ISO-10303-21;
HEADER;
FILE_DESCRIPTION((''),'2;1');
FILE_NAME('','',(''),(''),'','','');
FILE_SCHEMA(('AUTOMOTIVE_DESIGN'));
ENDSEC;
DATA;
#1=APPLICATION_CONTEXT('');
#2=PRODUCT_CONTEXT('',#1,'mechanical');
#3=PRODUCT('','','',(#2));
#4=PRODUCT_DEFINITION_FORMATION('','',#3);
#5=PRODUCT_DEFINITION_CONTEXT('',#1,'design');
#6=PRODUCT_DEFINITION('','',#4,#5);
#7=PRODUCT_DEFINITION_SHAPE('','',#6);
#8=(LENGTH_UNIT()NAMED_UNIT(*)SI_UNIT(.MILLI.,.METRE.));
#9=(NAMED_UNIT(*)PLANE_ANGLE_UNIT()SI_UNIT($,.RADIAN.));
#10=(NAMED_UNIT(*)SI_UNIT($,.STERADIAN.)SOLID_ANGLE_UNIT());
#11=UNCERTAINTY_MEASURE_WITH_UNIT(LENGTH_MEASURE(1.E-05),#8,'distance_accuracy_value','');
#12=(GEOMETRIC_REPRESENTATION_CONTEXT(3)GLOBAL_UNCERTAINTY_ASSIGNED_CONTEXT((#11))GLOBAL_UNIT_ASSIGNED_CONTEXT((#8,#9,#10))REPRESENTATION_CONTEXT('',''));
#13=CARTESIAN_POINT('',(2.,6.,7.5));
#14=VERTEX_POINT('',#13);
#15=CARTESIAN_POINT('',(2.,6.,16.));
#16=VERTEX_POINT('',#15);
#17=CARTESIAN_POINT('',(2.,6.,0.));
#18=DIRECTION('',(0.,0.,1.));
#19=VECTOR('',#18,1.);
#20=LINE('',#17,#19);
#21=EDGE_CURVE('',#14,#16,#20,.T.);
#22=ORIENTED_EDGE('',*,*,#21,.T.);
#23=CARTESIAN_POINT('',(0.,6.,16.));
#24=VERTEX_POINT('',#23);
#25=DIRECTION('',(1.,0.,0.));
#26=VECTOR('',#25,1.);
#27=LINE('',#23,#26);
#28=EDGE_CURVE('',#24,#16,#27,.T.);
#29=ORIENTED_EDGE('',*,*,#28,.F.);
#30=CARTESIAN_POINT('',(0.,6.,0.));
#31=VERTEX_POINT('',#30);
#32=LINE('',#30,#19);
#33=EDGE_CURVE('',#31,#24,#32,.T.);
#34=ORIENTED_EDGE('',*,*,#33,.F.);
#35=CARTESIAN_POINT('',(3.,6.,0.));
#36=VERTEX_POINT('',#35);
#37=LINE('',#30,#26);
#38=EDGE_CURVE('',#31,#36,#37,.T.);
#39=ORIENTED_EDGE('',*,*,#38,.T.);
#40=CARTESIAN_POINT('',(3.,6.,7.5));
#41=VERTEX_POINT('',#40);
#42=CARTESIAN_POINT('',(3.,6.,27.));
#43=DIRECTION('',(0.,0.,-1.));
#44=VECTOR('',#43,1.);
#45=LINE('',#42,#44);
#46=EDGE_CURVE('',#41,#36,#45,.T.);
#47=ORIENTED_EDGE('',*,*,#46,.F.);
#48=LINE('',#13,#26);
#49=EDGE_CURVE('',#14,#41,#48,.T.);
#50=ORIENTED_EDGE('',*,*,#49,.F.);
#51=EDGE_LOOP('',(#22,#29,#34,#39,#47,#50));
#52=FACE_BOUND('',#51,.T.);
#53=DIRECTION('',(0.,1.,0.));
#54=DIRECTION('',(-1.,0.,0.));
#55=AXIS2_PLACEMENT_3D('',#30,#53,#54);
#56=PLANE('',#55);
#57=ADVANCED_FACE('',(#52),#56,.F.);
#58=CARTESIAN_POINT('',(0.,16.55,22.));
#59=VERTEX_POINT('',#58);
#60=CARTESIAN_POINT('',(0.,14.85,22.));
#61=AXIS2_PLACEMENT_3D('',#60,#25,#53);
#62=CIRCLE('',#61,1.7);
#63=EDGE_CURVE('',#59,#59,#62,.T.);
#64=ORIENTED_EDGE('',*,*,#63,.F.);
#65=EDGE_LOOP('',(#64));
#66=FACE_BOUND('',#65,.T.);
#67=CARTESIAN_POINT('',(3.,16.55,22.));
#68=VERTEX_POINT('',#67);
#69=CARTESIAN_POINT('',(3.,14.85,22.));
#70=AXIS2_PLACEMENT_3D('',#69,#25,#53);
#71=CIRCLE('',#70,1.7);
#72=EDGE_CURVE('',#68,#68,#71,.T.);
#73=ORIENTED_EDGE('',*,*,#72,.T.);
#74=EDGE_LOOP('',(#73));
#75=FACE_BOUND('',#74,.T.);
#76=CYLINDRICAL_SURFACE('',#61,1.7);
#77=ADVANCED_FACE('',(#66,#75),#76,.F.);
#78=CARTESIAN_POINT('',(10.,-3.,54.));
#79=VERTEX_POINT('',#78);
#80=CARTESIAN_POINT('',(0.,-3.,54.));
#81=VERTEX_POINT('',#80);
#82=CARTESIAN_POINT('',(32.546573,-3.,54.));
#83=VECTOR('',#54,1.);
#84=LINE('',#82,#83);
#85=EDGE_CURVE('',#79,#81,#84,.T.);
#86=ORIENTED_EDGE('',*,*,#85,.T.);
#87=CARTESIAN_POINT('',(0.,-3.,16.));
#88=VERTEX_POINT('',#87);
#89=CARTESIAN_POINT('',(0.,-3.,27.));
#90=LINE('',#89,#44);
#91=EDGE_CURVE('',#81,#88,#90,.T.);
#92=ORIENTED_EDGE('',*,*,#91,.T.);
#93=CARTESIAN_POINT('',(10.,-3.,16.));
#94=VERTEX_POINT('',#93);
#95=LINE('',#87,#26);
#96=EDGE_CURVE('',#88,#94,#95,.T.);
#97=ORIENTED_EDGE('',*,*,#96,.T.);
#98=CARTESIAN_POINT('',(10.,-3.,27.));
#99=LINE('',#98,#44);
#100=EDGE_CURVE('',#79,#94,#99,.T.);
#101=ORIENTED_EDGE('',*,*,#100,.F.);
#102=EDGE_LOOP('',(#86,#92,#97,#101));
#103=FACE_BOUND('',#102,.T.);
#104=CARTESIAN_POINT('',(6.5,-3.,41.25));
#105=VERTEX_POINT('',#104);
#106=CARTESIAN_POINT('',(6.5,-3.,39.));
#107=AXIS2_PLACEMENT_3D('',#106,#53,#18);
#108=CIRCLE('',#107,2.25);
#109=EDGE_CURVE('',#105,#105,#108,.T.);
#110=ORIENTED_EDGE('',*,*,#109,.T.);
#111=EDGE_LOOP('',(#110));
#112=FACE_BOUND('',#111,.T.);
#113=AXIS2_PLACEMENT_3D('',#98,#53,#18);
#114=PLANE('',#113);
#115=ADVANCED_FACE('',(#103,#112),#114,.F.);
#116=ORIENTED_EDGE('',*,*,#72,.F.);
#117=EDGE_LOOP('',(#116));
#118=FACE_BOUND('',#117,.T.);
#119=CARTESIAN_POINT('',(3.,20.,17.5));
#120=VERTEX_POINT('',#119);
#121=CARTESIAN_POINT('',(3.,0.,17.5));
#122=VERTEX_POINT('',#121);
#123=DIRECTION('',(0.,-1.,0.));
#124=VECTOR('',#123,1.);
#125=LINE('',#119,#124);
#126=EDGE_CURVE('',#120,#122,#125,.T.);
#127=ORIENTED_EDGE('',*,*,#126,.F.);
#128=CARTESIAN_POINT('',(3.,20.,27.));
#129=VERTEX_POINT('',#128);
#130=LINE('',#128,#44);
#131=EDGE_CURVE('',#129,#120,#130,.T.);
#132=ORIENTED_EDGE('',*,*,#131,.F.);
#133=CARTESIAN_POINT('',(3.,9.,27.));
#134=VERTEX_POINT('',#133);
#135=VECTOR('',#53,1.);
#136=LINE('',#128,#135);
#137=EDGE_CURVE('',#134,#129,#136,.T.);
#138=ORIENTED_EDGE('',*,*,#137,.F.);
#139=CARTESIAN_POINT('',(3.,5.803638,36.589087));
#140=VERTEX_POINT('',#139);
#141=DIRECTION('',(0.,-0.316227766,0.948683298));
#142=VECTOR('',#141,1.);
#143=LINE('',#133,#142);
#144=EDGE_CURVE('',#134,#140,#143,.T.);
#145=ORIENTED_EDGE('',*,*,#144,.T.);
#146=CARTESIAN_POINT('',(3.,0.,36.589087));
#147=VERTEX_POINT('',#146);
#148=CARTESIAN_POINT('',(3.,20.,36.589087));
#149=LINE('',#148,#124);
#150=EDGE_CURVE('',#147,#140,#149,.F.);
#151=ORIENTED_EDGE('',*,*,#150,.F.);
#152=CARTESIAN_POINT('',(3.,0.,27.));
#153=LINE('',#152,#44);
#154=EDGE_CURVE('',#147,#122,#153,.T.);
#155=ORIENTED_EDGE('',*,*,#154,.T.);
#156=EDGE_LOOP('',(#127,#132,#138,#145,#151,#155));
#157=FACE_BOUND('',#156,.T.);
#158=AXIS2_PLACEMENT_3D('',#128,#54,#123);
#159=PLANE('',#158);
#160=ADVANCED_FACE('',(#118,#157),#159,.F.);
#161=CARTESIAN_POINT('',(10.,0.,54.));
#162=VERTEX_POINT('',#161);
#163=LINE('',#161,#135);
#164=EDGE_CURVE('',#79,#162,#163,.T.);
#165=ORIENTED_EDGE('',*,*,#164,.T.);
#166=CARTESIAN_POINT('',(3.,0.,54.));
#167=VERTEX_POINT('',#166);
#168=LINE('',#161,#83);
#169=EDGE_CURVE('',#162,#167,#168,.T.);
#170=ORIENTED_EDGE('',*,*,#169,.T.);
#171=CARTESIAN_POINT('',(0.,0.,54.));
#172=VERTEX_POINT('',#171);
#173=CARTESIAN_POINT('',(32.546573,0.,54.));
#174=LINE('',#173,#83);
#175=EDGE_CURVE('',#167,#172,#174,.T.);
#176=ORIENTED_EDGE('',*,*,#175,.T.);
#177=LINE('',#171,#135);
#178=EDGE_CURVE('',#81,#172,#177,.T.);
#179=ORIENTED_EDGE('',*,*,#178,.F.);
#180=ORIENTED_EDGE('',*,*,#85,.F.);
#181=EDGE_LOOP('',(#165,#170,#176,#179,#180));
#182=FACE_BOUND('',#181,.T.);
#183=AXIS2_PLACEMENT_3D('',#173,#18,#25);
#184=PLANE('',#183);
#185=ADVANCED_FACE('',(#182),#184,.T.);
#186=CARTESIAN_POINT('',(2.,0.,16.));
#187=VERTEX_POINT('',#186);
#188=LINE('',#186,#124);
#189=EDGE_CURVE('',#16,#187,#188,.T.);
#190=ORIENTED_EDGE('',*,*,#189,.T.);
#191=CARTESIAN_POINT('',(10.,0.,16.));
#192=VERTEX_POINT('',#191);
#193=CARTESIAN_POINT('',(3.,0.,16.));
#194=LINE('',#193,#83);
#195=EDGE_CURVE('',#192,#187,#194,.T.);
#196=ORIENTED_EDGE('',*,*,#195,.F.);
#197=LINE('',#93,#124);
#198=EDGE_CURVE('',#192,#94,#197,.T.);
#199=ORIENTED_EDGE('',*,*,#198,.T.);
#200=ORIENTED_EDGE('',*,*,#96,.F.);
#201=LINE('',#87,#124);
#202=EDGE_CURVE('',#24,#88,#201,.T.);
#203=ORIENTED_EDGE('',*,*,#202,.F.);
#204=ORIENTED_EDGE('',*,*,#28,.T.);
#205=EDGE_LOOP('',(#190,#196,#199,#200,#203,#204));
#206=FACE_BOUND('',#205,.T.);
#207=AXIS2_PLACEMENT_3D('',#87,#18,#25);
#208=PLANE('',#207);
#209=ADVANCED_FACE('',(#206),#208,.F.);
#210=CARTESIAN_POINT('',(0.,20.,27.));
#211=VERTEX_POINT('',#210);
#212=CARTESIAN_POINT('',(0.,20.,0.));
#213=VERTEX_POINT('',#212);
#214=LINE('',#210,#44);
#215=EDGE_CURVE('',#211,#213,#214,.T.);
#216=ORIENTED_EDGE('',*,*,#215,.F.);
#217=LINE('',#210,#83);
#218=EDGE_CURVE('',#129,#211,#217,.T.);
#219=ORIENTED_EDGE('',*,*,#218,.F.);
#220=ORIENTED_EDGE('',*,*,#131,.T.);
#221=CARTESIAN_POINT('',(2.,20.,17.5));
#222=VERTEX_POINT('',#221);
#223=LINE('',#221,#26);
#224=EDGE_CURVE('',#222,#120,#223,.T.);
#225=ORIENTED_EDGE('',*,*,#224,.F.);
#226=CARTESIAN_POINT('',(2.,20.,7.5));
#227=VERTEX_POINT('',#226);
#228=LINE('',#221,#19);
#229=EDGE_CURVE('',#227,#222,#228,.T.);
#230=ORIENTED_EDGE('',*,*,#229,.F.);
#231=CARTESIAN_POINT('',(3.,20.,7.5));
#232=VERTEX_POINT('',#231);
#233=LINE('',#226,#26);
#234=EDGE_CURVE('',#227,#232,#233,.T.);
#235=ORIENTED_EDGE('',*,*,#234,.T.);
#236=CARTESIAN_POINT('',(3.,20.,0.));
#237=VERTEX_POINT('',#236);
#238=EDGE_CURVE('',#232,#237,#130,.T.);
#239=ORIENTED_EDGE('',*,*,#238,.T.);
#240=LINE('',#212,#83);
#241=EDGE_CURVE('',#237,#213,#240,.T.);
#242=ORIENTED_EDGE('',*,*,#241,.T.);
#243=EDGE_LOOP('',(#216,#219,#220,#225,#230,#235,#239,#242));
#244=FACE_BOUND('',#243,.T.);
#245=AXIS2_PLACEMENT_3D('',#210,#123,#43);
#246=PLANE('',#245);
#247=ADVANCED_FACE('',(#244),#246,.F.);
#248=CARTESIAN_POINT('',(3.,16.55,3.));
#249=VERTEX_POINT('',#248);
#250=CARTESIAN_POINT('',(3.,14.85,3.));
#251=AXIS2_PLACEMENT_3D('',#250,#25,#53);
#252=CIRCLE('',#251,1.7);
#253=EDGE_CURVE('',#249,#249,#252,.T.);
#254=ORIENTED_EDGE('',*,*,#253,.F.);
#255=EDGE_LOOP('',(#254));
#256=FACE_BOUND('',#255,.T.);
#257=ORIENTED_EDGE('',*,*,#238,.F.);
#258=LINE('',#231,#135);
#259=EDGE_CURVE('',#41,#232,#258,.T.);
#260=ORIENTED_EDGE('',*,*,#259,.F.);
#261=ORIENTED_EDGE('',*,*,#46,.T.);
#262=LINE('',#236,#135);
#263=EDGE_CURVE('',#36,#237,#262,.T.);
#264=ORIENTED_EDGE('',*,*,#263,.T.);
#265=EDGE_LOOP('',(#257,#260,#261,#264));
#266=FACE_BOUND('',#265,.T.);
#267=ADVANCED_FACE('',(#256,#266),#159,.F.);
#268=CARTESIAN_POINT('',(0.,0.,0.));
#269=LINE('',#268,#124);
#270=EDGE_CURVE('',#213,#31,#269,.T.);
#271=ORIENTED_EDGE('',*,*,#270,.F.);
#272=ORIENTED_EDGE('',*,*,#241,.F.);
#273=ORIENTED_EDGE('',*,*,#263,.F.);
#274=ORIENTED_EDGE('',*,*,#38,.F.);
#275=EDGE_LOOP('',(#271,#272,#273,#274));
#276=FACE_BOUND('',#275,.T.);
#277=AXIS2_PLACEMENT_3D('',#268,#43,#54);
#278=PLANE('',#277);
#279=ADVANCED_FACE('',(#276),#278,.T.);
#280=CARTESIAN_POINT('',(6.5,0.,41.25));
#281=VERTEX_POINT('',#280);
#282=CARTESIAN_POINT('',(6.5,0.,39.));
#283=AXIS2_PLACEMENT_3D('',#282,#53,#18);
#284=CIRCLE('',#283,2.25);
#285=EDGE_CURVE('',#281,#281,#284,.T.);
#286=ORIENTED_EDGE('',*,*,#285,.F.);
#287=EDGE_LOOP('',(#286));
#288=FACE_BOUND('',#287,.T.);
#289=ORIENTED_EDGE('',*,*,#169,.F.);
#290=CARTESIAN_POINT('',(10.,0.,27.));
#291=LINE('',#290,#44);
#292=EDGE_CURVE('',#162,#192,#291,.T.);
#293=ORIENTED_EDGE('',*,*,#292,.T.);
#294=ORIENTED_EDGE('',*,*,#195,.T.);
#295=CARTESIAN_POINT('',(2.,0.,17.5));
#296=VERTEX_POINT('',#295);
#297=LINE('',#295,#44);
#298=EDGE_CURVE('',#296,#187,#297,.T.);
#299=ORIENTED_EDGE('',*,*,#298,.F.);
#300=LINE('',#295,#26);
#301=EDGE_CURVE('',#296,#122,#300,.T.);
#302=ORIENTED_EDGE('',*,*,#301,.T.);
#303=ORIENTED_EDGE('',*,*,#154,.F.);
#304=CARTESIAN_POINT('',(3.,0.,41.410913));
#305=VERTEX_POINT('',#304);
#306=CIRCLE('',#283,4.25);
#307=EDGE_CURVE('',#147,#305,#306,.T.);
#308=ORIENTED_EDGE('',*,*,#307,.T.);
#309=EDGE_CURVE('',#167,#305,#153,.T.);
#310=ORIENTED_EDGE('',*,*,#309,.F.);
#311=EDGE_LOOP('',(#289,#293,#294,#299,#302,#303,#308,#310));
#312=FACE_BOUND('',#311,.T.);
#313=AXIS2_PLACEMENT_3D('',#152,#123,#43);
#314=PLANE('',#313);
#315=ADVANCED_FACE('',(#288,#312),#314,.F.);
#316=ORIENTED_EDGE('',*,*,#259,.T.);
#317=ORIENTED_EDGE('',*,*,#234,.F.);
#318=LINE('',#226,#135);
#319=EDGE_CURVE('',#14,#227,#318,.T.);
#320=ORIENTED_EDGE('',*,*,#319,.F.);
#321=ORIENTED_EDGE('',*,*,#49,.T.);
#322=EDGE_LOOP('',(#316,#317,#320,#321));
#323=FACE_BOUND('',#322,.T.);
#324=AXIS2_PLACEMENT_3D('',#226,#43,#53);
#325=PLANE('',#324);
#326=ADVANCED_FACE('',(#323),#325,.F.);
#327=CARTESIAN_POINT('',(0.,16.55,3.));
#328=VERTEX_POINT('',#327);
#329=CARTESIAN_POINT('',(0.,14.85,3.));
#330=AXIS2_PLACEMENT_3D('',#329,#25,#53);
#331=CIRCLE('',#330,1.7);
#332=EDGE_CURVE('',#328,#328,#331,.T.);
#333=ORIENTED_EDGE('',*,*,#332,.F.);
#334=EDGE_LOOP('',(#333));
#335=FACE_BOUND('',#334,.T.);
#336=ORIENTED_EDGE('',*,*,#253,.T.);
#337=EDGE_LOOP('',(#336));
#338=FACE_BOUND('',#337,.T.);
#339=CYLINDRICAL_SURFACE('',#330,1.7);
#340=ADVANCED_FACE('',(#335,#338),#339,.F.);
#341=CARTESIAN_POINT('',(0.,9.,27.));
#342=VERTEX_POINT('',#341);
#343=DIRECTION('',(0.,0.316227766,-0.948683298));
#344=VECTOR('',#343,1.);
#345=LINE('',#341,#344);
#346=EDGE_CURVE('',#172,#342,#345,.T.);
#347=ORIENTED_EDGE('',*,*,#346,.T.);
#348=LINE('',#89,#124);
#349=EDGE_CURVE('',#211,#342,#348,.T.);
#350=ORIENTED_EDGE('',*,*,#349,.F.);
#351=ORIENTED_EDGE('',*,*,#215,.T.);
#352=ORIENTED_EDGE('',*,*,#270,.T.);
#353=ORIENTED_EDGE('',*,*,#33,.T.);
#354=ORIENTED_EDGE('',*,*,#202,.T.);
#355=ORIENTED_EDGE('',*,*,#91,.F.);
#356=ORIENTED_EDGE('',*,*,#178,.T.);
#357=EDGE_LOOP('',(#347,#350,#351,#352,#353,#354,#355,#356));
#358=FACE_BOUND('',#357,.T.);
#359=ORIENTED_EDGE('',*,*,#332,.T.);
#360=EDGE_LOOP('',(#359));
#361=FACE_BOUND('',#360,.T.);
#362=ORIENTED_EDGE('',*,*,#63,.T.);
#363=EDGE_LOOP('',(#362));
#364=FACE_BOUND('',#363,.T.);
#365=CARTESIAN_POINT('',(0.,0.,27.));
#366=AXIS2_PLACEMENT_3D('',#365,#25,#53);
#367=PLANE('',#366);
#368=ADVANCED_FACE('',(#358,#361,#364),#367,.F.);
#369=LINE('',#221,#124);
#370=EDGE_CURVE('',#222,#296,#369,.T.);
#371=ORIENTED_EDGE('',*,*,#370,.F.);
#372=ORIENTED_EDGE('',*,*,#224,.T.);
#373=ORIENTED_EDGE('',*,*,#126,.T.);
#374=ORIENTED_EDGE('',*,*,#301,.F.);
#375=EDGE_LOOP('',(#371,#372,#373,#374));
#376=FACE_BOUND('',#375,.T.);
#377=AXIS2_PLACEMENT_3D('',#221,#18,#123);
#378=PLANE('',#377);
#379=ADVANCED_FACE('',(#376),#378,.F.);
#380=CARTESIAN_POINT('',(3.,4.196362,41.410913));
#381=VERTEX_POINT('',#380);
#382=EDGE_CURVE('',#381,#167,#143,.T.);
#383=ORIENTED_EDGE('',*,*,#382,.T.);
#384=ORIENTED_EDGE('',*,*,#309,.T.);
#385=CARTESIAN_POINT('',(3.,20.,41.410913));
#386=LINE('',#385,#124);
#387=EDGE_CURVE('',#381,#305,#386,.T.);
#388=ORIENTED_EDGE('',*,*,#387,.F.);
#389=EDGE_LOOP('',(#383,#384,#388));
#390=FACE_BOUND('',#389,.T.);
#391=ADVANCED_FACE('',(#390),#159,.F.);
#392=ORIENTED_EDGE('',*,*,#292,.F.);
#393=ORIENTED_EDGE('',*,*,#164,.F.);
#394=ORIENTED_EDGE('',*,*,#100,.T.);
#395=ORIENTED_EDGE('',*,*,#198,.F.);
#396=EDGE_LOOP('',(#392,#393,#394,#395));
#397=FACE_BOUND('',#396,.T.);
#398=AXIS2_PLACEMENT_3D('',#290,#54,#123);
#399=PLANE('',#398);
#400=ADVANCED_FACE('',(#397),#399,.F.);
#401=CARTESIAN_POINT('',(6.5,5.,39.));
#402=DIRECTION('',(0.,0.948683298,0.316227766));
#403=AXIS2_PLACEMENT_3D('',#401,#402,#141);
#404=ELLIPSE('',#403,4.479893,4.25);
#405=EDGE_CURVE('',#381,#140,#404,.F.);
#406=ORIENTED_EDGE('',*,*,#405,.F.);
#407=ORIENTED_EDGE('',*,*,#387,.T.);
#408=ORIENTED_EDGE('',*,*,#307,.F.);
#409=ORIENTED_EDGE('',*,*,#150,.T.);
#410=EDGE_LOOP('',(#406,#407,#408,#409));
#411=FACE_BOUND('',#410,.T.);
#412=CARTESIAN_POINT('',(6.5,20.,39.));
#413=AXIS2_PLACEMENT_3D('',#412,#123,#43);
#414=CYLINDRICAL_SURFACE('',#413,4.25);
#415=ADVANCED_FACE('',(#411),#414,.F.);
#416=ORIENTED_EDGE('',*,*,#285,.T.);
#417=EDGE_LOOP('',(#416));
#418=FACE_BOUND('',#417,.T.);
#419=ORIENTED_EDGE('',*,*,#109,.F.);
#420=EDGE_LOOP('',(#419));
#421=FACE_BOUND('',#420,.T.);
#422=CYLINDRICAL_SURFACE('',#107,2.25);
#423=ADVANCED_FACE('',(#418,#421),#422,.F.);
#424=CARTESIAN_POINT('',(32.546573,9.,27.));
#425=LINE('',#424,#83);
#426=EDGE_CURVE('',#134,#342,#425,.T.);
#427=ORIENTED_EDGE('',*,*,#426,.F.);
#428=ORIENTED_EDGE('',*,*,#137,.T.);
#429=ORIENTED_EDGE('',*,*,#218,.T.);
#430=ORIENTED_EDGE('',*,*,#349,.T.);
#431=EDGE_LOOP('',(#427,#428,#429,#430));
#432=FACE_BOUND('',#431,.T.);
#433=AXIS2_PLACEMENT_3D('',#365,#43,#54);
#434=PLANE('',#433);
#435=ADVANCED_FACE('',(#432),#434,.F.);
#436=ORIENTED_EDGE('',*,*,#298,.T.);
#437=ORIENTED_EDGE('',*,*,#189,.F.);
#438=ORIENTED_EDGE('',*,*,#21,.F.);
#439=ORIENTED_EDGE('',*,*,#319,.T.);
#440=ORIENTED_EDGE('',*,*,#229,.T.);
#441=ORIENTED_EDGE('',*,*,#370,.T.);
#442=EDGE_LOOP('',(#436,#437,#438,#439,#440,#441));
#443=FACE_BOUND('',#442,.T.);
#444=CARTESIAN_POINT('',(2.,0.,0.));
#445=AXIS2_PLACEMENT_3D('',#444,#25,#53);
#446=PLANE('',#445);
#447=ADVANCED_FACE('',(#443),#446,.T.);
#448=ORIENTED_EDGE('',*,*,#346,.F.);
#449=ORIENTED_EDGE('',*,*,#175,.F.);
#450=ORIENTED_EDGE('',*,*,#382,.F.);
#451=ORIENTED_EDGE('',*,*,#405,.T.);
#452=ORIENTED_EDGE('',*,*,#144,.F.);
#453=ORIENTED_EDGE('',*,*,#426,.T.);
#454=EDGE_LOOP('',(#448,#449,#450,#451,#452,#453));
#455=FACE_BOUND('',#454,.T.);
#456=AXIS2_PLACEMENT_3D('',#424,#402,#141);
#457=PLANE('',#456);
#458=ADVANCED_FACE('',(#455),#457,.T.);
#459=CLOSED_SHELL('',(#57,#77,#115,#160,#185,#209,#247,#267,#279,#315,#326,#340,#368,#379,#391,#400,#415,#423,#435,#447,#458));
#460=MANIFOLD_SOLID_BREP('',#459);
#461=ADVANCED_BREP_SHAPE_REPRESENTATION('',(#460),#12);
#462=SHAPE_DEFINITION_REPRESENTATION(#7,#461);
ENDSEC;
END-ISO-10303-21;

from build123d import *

# Parameters (mm, degrees)
BOSS_EXTRUDE1_DEPTH = 27
SKETCH3_R           = 1.7
CUT_EXTRUDE2_DEPTH  = 35.322004603
SKETCH4_W           = 10
SKETCH4_H           = 20
CUT_EXTRUDE3_DEPTH  = 1
SKETCH5_R           = 2.25
CUT_EXTRUDE4_DEPTH  = 36.057096286
BOSS_EXTRUDE2_DEPTH = 3
SKETCH7_W           = 7
SKETCH7_H           = 3
BOSS_EXTRUDE3_DEPTH = 27
SKETCH8_R           = 2.25
CUT_EXTRUDE5_DEPTH  = 59.446556785
SKETCH9_R           = 4.25
CUT_EXTRUDE6_DEPTH  = 59.446556785
SKETCH11_W          = 16
SKETCH11_H          = 9
CUT_EXTRUDE7_DEPTH  = 59.446556785


with BuildPart() as part:
    # Sketch1 → Boss-Extrude1 (new body)
    with BuildSketch(Plane.XY):
        Polygon((0, 0), (0, 20), (3, 20), (3, 0), (10, 0), (10, -3), (0, -3), align=None)
    extrude(amount=BOSS_EXTRUDE1_DEPTH)

    # Sketch3 → Cut-Extrude2 (cut, through all)
    with BuildSketch(Plane(origin=(3, 0, 0), x_dir=(0, 0, -1), z_dir=(1, 0, 0))):
        with Locations(Location((-22, 14.85, 0), (0, 0, 90))):
            Circle(SKETCH3_R)
        with Locations(Location((-3, 14.85, 0), (0, 0, 90))):
            Circle(SKETCH3_R)
    extrude(amount=-CUT_EXTRUDE2_DEPTH, mode=Mode.SUBTRACT)

    # Sketch4 → Cut-Extrude3 (cut)
    with BuildSketch(Plane(origin=(3, 0, 0), x_dir=(0, 0, -1), z_dir=(1, 0, 0))):
        with Locations((-12.5, 10)):
            Rectangle(SKETCH4_W, SKETCH4_H)
    extrude(amount=-CUT_EXTRUDE3_DEPTH, mode=Mode.SUBTRACT)

    # Sketch5 → Cut-Extrude4 (cut, through all)
    with BuildSketch(Plane(origin=(0, 0, 0), x_dir=(1, 0, 0), z_dir=(0, 1, 0))):
        with Locations(Location((6.5, -9, 0), (0, 0, 270))):
            Circle(SKETCH5_R)
    extrude(amount=-CUT_EXTRUDE4_DEPTH, mode=Mode.SUBTRACT)

    # Sketch6 → Boss-Extrude2 (add)
    with BuildSketch(Plane.ZY):
        Polygon((27, 9), (54, 0), (54, -3), (27, -3), align=None)
    extrude(amount=-BOSS_EXTRUDE2_DEPTH)

    # Sketch7 → Boss-Extrude3 (add)
    with BuildSketch(Plane.XY.offset(27)):
        with Locations((6.5, -1.5)):
            Rectangle(SKETCH7_W, SKETCH7_H)
    extrude(amount=BOSS_EXTRUDE3_DEPTH)

    # Sketch8 → Cut-Extrude5 (cut, through all)
    with BuildSketch(Plane(origin=(0, 0, 0), x_dir=(1, 0, 0), z_dir=(0, 1, 0))):
        with Locations(Location((6.5, -39, 0), (0, 0, 270))):
            Circle(SKETCH8_R)
    extrude(amount=-CUT_EXTRUDE5_DEPTH, mode=Mode.SUBTRACT)

    # Sketch9 → Cut-Extrude6 (cut, through all)
    with BuildSketch(Plane(origin=(0, 0, 0), x_dir=(1, 0, 0), z_dir=(0, 1, 0))):
        with Locations((6.5, -39)):
            Circle(SKETCH9_R)
    extrude(amount=CUT_EXTRUDE6_DEPTH, mode=Mode.SUBTRACT)

    # Sketch11 → Cut-Extrude7 (cut, through all)
    with BuildSketch(Plane(origin=(10, 0, 0), x_dir=(0, 0, -1), z_dir=(1, 0, 0))):
        with Locations((-8, 1.5)):
            Rectangle(SKETCH11_W, SKETCH11_H)
    extrude(amount=-CUT_EXTRUDE7_DEPTH, mode=Mode.SUBTRACT)


solid = part.part
